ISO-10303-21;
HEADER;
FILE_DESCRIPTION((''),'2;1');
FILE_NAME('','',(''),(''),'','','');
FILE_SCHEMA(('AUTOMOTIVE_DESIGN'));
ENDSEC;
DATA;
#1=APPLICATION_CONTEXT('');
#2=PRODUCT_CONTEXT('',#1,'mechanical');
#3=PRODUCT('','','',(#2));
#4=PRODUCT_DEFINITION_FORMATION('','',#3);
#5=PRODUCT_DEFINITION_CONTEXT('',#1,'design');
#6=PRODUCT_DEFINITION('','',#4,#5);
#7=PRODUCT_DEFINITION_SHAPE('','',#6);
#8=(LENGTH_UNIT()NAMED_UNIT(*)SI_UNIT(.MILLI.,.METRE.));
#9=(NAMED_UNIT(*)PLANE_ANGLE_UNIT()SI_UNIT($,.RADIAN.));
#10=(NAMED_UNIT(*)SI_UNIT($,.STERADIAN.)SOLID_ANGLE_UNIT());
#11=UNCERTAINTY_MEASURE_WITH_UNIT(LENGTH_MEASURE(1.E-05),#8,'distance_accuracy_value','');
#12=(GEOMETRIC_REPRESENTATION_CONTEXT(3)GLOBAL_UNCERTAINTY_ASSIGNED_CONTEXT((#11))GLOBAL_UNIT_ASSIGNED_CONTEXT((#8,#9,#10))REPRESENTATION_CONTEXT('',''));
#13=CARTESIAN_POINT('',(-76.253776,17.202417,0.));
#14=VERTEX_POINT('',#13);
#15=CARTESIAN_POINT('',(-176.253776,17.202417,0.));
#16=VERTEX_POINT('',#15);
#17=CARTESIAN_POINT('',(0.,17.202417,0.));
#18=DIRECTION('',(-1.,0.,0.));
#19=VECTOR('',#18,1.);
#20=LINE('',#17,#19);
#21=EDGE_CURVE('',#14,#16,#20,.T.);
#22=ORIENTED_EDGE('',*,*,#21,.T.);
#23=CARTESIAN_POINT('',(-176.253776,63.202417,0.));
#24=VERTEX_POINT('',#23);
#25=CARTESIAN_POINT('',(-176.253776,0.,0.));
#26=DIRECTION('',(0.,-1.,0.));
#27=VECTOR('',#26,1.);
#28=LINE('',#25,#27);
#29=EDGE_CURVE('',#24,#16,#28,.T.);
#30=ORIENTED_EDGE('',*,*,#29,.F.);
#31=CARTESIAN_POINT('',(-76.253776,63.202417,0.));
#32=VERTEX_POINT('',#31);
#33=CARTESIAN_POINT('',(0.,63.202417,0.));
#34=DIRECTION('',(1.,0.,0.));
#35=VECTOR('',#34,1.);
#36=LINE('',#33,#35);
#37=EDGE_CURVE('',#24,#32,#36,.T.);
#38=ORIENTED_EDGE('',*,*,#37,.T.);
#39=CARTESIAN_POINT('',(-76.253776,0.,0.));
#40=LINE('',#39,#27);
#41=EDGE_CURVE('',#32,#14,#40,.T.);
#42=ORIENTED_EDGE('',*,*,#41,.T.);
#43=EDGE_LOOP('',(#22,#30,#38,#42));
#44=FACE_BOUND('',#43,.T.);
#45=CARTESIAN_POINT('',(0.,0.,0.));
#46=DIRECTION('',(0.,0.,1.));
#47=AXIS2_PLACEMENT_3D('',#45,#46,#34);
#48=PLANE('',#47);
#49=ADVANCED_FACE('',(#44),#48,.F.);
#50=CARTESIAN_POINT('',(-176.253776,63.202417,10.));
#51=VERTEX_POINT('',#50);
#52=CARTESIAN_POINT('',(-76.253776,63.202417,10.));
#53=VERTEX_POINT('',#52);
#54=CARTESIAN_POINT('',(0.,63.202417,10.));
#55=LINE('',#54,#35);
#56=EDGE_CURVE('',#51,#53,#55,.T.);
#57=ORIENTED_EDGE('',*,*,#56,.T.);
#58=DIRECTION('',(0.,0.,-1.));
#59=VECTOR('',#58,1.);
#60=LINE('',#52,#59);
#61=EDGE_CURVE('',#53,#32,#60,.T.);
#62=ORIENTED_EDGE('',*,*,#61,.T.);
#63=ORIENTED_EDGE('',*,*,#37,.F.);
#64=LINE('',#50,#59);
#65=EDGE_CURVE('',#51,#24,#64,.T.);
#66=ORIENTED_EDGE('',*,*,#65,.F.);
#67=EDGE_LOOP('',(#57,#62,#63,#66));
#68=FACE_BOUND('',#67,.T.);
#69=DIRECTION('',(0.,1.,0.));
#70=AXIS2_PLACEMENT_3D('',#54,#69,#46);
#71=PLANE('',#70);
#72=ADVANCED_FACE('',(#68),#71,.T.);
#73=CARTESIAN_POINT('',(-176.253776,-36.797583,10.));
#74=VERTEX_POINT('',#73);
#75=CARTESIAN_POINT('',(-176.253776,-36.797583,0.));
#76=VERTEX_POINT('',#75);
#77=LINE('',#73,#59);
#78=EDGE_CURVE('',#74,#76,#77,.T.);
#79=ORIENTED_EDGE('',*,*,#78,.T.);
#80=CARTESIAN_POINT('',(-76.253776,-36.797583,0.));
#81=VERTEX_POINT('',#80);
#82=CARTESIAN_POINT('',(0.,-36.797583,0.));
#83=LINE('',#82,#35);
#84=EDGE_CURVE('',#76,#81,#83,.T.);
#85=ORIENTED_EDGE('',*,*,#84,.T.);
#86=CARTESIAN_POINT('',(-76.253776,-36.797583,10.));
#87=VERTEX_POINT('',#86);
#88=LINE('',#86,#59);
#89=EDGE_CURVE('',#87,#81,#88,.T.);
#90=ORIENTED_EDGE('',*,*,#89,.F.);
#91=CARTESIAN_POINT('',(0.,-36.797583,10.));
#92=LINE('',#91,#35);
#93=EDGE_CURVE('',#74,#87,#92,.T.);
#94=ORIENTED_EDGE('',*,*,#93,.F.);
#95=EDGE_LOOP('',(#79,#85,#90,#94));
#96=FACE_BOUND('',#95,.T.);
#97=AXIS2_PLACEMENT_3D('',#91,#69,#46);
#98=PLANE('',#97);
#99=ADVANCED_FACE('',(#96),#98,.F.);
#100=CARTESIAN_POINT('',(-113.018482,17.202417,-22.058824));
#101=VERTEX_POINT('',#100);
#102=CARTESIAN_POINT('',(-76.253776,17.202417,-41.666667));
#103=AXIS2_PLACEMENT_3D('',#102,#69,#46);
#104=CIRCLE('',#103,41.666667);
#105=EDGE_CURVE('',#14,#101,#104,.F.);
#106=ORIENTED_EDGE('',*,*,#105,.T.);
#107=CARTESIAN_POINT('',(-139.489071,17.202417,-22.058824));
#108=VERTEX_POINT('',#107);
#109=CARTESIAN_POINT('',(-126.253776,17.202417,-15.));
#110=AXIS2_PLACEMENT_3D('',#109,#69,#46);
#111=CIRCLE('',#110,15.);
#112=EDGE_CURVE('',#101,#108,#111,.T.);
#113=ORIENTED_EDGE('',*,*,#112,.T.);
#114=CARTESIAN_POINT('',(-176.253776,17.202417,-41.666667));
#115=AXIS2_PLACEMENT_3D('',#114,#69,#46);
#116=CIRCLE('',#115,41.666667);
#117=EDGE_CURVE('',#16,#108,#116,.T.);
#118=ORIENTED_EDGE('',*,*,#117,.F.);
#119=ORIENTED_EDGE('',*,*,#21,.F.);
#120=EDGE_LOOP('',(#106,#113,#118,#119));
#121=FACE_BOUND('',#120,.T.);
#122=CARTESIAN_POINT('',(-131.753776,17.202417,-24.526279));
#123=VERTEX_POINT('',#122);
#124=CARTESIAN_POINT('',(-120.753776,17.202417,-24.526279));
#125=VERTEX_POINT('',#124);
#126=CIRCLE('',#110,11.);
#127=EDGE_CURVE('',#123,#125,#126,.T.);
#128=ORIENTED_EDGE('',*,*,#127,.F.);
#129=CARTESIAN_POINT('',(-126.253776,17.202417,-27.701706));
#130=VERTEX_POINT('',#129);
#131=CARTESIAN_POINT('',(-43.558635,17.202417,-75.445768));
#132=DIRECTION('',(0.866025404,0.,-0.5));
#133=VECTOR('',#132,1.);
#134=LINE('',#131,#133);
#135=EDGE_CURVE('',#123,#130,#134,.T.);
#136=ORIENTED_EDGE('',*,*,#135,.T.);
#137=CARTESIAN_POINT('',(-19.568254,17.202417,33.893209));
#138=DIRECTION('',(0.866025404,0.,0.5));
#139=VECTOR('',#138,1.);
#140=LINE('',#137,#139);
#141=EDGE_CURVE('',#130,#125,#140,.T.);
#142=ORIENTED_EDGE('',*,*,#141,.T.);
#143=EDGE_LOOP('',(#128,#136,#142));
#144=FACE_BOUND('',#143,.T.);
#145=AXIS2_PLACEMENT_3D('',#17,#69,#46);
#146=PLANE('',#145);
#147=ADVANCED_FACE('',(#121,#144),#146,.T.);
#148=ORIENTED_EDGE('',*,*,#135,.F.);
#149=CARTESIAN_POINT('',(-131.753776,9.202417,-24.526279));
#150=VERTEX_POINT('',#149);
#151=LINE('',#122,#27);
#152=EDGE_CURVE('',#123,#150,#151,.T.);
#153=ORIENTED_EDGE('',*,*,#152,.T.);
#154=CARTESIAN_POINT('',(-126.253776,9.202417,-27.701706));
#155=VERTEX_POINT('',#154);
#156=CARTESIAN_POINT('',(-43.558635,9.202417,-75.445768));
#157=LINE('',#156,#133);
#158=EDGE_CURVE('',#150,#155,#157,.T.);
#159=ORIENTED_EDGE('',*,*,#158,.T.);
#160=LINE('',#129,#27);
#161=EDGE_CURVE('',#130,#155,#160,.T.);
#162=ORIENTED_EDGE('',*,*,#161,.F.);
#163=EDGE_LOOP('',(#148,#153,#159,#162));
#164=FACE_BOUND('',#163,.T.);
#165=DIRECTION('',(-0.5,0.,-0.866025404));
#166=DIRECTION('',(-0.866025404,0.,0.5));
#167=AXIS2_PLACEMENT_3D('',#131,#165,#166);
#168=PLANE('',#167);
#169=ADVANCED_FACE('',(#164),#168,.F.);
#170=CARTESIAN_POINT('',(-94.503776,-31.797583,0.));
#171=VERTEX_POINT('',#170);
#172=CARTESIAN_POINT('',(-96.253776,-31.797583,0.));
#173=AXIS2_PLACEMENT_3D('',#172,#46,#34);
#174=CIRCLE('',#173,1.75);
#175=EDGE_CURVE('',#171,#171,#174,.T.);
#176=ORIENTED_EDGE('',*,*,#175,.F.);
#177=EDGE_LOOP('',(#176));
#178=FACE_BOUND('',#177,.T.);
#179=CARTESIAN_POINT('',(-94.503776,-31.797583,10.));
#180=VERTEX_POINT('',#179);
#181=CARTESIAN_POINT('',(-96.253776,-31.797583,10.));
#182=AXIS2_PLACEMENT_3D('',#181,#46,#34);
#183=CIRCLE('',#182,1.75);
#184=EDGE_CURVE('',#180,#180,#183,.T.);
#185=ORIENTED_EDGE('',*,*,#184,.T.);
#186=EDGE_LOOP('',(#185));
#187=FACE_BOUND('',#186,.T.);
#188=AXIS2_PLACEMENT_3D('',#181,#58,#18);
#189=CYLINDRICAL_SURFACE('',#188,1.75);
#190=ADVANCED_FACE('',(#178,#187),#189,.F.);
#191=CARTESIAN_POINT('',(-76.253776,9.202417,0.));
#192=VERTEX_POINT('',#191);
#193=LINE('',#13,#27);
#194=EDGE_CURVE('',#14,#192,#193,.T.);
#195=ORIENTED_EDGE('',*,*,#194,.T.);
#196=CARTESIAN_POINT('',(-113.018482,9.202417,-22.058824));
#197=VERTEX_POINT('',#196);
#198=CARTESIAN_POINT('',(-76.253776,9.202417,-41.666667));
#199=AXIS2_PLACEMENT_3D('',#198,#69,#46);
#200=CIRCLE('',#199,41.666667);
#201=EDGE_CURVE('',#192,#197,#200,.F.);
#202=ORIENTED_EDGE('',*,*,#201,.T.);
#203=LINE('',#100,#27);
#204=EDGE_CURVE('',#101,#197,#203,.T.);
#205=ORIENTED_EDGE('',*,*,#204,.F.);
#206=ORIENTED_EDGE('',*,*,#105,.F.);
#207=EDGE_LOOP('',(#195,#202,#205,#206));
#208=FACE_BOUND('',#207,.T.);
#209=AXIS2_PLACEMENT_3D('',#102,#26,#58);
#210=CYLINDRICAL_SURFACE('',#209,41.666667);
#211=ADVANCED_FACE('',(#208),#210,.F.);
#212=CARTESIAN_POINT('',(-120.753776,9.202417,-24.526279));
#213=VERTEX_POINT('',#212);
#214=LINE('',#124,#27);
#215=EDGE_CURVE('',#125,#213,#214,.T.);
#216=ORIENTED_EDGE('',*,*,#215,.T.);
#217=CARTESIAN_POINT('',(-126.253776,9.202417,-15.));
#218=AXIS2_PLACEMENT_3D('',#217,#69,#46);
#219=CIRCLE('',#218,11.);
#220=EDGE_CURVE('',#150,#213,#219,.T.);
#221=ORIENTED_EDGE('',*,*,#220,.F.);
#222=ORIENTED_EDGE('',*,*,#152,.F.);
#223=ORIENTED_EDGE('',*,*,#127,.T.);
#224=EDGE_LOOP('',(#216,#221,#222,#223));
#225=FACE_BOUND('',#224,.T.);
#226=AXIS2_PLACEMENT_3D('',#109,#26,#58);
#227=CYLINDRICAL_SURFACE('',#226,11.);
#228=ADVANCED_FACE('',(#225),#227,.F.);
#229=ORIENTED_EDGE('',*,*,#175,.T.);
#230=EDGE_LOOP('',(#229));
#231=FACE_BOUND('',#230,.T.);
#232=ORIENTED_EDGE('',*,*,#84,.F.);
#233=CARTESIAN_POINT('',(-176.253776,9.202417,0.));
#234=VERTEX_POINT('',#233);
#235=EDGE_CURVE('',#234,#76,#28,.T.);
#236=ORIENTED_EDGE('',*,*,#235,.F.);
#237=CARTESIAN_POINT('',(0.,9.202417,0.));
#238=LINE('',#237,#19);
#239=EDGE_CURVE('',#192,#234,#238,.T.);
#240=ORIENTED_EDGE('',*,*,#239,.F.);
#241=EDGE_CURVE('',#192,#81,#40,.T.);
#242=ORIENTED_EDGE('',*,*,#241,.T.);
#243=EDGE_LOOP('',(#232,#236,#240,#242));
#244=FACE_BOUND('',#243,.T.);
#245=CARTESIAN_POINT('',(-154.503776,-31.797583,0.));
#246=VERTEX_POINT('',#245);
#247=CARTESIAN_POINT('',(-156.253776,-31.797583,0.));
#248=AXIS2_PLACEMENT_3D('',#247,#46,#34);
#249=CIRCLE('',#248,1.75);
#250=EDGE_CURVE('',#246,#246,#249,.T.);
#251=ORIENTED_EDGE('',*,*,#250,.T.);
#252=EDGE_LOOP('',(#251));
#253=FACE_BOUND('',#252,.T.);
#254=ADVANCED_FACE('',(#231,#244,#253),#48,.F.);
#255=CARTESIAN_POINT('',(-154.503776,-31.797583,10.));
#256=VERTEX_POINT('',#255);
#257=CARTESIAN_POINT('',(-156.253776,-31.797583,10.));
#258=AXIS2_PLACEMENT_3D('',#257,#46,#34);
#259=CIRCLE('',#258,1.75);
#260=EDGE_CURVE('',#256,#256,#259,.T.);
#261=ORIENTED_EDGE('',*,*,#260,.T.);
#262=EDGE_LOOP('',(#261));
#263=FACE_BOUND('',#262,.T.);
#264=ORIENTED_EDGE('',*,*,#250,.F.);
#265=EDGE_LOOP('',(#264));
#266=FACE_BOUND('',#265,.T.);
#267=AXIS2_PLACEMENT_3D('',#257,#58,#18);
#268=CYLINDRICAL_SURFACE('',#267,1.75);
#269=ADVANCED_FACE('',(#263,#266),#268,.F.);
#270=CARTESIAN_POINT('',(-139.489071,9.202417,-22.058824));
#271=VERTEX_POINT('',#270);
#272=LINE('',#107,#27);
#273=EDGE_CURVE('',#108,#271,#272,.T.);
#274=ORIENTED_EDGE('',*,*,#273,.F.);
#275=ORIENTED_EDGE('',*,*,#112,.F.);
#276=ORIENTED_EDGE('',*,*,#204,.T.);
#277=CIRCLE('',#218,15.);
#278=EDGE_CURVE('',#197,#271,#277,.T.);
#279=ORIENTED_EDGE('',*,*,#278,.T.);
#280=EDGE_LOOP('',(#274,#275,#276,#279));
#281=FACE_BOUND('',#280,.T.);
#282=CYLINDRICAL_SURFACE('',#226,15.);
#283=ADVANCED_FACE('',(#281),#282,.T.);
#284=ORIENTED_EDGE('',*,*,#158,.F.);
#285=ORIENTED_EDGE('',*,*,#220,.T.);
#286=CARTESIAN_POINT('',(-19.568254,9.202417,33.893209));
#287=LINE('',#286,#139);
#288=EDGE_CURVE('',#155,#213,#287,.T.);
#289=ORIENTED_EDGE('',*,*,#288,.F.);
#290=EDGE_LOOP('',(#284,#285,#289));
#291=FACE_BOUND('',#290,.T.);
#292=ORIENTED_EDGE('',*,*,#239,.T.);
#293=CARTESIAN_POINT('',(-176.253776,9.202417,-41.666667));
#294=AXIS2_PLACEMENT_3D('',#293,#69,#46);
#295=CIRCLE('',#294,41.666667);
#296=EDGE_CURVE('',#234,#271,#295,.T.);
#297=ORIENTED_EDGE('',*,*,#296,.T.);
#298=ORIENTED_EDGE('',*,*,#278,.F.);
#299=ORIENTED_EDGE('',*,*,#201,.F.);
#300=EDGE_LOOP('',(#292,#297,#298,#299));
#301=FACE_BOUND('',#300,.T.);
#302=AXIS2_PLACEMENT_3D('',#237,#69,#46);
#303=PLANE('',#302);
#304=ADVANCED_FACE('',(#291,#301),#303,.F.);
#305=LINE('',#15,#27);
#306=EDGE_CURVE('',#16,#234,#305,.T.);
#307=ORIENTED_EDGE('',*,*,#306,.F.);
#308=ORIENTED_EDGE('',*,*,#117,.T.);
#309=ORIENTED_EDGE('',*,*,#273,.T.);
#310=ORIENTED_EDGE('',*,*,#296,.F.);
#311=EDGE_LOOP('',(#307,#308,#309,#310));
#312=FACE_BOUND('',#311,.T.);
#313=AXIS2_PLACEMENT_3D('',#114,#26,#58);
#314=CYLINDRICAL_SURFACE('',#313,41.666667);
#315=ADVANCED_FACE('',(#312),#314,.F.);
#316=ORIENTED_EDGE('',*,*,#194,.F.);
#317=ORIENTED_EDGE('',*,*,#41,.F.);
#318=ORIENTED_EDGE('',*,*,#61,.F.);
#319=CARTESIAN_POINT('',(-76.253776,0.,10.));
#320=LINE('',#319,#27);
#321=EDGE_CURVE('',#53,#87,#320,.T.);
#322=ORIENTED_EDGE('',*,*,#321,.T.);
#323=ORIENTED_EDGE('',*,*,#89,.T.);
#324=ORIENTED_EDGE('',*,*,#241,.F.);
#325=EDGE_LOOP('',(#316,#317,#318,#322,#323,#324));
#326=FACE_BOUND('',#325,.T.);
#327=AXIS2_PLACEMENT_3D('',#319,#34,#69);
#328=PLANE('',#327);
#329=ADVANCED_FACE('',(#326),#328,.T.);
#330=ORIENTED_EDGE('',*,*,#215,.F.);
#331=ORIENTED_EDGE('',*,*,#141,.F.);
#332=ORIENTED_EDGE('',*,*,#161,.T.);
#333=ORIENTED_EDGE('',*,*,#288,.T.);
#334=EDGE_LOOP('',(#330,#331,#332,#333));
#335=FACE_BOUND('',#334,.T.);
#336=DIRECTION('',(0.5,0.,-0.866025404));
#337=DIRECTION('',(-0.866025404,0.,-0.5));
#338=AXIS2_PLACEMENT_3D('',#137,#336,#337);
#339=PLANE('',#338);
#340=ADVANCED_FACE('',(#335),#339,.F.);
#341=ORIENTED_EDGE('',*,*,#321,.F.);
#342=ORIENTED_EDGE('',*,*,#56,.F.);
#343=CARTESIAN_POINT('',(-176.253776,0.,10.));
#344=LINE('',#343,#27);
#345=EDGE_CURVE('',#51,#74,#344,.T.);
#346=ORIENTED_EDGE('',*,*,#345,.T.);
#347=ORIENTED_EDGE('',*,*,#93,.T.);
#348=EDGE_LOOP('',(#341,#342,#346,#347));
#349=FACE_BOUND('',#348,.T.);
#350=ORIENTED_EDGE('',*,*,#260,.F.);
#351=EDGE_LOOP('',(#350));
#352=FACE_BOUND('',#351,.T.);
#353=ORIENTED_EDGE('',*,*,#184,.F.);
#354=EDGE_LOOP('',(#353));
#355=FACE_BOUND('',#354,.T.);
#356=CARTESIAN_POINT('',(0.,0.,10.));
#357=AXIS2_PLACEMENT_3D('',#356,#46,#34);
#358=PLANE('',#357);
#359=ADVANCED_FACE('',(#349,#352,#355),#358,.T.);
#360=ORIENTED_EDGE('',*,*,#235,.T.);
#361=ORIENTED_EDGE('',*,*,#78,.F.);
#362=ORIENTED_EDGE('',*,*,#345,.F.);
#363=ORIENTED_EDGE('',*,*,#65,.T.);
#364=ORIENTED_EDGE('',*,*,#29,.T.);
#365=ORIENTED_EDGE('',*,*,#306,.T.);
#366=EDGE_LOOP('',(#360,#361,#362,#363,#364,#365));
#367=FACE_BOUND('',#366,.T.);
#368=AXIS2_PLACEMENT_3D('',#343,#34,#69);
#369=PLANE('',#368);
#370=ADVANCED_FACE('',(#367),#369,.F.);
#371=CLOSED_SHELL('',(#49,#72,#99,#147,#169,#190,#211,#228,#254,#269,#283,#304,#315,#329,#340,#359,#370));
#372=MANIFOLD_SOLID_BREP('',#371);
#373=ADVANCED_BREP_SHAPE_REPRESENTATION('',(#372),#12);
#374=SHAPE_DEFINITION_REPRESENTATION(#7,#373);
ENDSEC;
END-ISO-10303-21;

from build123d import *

# Parameters (mm, degrees)
SKETCH1_W           = 100
SKETCH1_H           = 100
SKETCH1_R           = 1.75
BOSS_EXTRUDE1_DEPTH = 10
BOSS_EXTRUDE2_DEPTH = 4


with BuildPart() as part:
    # Sketch1 → Boss-Extrude1 (new body)
    with BuildSketch(Plane.XY):
        with Locations((-126.253776435, 13.202416918)):
            Rectangle(SKETCH1_W, SKETCH1_H)
        with Locations((-156.253776435, -31.797583082)):
            Circle(SKETCH1_R, mode=Mode.SUBTRACT)
        with Locations((-96.253776435, -31.797583082)):
            Circle(SKETCH1_R, mode=Mode.SUBTRACT)
    extrude(amount=BOSS_EXTRUDE1_DEPTH)

    # Sketch2 → Boss-Extrude2 (add, symmetric)
    with BuildSketch(Plane(origin=(0, 13.202416918, 0), x_dir=(1, 0, 0), z_dir=(0, 1, 0))):
        with BuildLine():
            ThreePointArc((-76.253776435, 0), (-97.691099578, 5.937794762), (-113.018482317, 22.058823529))
            ThreePointArc((-113.018482317, 22.058823529), (-126.253776435, 30), (-139.489070553, 22.058823529))
            ThreePointArc((-139.489070553, 22.058823529), (-154.816453292, 5.937794762), (-176.253776435, 0))
            Line((-176.253776435, 0), (-76.253776435, 0))
        make_face()
        with BuildLine():
            Line((-131.753776435, 24.526279442), (-126.253776435, 27.701705922))
            Line((-126.253776435, 27.701705922), (-120.753776435, 24.526279442))
            ThreePointArc((-120.753776435, 24.526279442), (-126.253776435, 4), (-131.753776435, 24.526279442))
        make_face(mode=Mode.SUBTRACT)
    extrude(amount=BOSS_EXTRUDE2_DEPTH, both=True)


solid = part.part
